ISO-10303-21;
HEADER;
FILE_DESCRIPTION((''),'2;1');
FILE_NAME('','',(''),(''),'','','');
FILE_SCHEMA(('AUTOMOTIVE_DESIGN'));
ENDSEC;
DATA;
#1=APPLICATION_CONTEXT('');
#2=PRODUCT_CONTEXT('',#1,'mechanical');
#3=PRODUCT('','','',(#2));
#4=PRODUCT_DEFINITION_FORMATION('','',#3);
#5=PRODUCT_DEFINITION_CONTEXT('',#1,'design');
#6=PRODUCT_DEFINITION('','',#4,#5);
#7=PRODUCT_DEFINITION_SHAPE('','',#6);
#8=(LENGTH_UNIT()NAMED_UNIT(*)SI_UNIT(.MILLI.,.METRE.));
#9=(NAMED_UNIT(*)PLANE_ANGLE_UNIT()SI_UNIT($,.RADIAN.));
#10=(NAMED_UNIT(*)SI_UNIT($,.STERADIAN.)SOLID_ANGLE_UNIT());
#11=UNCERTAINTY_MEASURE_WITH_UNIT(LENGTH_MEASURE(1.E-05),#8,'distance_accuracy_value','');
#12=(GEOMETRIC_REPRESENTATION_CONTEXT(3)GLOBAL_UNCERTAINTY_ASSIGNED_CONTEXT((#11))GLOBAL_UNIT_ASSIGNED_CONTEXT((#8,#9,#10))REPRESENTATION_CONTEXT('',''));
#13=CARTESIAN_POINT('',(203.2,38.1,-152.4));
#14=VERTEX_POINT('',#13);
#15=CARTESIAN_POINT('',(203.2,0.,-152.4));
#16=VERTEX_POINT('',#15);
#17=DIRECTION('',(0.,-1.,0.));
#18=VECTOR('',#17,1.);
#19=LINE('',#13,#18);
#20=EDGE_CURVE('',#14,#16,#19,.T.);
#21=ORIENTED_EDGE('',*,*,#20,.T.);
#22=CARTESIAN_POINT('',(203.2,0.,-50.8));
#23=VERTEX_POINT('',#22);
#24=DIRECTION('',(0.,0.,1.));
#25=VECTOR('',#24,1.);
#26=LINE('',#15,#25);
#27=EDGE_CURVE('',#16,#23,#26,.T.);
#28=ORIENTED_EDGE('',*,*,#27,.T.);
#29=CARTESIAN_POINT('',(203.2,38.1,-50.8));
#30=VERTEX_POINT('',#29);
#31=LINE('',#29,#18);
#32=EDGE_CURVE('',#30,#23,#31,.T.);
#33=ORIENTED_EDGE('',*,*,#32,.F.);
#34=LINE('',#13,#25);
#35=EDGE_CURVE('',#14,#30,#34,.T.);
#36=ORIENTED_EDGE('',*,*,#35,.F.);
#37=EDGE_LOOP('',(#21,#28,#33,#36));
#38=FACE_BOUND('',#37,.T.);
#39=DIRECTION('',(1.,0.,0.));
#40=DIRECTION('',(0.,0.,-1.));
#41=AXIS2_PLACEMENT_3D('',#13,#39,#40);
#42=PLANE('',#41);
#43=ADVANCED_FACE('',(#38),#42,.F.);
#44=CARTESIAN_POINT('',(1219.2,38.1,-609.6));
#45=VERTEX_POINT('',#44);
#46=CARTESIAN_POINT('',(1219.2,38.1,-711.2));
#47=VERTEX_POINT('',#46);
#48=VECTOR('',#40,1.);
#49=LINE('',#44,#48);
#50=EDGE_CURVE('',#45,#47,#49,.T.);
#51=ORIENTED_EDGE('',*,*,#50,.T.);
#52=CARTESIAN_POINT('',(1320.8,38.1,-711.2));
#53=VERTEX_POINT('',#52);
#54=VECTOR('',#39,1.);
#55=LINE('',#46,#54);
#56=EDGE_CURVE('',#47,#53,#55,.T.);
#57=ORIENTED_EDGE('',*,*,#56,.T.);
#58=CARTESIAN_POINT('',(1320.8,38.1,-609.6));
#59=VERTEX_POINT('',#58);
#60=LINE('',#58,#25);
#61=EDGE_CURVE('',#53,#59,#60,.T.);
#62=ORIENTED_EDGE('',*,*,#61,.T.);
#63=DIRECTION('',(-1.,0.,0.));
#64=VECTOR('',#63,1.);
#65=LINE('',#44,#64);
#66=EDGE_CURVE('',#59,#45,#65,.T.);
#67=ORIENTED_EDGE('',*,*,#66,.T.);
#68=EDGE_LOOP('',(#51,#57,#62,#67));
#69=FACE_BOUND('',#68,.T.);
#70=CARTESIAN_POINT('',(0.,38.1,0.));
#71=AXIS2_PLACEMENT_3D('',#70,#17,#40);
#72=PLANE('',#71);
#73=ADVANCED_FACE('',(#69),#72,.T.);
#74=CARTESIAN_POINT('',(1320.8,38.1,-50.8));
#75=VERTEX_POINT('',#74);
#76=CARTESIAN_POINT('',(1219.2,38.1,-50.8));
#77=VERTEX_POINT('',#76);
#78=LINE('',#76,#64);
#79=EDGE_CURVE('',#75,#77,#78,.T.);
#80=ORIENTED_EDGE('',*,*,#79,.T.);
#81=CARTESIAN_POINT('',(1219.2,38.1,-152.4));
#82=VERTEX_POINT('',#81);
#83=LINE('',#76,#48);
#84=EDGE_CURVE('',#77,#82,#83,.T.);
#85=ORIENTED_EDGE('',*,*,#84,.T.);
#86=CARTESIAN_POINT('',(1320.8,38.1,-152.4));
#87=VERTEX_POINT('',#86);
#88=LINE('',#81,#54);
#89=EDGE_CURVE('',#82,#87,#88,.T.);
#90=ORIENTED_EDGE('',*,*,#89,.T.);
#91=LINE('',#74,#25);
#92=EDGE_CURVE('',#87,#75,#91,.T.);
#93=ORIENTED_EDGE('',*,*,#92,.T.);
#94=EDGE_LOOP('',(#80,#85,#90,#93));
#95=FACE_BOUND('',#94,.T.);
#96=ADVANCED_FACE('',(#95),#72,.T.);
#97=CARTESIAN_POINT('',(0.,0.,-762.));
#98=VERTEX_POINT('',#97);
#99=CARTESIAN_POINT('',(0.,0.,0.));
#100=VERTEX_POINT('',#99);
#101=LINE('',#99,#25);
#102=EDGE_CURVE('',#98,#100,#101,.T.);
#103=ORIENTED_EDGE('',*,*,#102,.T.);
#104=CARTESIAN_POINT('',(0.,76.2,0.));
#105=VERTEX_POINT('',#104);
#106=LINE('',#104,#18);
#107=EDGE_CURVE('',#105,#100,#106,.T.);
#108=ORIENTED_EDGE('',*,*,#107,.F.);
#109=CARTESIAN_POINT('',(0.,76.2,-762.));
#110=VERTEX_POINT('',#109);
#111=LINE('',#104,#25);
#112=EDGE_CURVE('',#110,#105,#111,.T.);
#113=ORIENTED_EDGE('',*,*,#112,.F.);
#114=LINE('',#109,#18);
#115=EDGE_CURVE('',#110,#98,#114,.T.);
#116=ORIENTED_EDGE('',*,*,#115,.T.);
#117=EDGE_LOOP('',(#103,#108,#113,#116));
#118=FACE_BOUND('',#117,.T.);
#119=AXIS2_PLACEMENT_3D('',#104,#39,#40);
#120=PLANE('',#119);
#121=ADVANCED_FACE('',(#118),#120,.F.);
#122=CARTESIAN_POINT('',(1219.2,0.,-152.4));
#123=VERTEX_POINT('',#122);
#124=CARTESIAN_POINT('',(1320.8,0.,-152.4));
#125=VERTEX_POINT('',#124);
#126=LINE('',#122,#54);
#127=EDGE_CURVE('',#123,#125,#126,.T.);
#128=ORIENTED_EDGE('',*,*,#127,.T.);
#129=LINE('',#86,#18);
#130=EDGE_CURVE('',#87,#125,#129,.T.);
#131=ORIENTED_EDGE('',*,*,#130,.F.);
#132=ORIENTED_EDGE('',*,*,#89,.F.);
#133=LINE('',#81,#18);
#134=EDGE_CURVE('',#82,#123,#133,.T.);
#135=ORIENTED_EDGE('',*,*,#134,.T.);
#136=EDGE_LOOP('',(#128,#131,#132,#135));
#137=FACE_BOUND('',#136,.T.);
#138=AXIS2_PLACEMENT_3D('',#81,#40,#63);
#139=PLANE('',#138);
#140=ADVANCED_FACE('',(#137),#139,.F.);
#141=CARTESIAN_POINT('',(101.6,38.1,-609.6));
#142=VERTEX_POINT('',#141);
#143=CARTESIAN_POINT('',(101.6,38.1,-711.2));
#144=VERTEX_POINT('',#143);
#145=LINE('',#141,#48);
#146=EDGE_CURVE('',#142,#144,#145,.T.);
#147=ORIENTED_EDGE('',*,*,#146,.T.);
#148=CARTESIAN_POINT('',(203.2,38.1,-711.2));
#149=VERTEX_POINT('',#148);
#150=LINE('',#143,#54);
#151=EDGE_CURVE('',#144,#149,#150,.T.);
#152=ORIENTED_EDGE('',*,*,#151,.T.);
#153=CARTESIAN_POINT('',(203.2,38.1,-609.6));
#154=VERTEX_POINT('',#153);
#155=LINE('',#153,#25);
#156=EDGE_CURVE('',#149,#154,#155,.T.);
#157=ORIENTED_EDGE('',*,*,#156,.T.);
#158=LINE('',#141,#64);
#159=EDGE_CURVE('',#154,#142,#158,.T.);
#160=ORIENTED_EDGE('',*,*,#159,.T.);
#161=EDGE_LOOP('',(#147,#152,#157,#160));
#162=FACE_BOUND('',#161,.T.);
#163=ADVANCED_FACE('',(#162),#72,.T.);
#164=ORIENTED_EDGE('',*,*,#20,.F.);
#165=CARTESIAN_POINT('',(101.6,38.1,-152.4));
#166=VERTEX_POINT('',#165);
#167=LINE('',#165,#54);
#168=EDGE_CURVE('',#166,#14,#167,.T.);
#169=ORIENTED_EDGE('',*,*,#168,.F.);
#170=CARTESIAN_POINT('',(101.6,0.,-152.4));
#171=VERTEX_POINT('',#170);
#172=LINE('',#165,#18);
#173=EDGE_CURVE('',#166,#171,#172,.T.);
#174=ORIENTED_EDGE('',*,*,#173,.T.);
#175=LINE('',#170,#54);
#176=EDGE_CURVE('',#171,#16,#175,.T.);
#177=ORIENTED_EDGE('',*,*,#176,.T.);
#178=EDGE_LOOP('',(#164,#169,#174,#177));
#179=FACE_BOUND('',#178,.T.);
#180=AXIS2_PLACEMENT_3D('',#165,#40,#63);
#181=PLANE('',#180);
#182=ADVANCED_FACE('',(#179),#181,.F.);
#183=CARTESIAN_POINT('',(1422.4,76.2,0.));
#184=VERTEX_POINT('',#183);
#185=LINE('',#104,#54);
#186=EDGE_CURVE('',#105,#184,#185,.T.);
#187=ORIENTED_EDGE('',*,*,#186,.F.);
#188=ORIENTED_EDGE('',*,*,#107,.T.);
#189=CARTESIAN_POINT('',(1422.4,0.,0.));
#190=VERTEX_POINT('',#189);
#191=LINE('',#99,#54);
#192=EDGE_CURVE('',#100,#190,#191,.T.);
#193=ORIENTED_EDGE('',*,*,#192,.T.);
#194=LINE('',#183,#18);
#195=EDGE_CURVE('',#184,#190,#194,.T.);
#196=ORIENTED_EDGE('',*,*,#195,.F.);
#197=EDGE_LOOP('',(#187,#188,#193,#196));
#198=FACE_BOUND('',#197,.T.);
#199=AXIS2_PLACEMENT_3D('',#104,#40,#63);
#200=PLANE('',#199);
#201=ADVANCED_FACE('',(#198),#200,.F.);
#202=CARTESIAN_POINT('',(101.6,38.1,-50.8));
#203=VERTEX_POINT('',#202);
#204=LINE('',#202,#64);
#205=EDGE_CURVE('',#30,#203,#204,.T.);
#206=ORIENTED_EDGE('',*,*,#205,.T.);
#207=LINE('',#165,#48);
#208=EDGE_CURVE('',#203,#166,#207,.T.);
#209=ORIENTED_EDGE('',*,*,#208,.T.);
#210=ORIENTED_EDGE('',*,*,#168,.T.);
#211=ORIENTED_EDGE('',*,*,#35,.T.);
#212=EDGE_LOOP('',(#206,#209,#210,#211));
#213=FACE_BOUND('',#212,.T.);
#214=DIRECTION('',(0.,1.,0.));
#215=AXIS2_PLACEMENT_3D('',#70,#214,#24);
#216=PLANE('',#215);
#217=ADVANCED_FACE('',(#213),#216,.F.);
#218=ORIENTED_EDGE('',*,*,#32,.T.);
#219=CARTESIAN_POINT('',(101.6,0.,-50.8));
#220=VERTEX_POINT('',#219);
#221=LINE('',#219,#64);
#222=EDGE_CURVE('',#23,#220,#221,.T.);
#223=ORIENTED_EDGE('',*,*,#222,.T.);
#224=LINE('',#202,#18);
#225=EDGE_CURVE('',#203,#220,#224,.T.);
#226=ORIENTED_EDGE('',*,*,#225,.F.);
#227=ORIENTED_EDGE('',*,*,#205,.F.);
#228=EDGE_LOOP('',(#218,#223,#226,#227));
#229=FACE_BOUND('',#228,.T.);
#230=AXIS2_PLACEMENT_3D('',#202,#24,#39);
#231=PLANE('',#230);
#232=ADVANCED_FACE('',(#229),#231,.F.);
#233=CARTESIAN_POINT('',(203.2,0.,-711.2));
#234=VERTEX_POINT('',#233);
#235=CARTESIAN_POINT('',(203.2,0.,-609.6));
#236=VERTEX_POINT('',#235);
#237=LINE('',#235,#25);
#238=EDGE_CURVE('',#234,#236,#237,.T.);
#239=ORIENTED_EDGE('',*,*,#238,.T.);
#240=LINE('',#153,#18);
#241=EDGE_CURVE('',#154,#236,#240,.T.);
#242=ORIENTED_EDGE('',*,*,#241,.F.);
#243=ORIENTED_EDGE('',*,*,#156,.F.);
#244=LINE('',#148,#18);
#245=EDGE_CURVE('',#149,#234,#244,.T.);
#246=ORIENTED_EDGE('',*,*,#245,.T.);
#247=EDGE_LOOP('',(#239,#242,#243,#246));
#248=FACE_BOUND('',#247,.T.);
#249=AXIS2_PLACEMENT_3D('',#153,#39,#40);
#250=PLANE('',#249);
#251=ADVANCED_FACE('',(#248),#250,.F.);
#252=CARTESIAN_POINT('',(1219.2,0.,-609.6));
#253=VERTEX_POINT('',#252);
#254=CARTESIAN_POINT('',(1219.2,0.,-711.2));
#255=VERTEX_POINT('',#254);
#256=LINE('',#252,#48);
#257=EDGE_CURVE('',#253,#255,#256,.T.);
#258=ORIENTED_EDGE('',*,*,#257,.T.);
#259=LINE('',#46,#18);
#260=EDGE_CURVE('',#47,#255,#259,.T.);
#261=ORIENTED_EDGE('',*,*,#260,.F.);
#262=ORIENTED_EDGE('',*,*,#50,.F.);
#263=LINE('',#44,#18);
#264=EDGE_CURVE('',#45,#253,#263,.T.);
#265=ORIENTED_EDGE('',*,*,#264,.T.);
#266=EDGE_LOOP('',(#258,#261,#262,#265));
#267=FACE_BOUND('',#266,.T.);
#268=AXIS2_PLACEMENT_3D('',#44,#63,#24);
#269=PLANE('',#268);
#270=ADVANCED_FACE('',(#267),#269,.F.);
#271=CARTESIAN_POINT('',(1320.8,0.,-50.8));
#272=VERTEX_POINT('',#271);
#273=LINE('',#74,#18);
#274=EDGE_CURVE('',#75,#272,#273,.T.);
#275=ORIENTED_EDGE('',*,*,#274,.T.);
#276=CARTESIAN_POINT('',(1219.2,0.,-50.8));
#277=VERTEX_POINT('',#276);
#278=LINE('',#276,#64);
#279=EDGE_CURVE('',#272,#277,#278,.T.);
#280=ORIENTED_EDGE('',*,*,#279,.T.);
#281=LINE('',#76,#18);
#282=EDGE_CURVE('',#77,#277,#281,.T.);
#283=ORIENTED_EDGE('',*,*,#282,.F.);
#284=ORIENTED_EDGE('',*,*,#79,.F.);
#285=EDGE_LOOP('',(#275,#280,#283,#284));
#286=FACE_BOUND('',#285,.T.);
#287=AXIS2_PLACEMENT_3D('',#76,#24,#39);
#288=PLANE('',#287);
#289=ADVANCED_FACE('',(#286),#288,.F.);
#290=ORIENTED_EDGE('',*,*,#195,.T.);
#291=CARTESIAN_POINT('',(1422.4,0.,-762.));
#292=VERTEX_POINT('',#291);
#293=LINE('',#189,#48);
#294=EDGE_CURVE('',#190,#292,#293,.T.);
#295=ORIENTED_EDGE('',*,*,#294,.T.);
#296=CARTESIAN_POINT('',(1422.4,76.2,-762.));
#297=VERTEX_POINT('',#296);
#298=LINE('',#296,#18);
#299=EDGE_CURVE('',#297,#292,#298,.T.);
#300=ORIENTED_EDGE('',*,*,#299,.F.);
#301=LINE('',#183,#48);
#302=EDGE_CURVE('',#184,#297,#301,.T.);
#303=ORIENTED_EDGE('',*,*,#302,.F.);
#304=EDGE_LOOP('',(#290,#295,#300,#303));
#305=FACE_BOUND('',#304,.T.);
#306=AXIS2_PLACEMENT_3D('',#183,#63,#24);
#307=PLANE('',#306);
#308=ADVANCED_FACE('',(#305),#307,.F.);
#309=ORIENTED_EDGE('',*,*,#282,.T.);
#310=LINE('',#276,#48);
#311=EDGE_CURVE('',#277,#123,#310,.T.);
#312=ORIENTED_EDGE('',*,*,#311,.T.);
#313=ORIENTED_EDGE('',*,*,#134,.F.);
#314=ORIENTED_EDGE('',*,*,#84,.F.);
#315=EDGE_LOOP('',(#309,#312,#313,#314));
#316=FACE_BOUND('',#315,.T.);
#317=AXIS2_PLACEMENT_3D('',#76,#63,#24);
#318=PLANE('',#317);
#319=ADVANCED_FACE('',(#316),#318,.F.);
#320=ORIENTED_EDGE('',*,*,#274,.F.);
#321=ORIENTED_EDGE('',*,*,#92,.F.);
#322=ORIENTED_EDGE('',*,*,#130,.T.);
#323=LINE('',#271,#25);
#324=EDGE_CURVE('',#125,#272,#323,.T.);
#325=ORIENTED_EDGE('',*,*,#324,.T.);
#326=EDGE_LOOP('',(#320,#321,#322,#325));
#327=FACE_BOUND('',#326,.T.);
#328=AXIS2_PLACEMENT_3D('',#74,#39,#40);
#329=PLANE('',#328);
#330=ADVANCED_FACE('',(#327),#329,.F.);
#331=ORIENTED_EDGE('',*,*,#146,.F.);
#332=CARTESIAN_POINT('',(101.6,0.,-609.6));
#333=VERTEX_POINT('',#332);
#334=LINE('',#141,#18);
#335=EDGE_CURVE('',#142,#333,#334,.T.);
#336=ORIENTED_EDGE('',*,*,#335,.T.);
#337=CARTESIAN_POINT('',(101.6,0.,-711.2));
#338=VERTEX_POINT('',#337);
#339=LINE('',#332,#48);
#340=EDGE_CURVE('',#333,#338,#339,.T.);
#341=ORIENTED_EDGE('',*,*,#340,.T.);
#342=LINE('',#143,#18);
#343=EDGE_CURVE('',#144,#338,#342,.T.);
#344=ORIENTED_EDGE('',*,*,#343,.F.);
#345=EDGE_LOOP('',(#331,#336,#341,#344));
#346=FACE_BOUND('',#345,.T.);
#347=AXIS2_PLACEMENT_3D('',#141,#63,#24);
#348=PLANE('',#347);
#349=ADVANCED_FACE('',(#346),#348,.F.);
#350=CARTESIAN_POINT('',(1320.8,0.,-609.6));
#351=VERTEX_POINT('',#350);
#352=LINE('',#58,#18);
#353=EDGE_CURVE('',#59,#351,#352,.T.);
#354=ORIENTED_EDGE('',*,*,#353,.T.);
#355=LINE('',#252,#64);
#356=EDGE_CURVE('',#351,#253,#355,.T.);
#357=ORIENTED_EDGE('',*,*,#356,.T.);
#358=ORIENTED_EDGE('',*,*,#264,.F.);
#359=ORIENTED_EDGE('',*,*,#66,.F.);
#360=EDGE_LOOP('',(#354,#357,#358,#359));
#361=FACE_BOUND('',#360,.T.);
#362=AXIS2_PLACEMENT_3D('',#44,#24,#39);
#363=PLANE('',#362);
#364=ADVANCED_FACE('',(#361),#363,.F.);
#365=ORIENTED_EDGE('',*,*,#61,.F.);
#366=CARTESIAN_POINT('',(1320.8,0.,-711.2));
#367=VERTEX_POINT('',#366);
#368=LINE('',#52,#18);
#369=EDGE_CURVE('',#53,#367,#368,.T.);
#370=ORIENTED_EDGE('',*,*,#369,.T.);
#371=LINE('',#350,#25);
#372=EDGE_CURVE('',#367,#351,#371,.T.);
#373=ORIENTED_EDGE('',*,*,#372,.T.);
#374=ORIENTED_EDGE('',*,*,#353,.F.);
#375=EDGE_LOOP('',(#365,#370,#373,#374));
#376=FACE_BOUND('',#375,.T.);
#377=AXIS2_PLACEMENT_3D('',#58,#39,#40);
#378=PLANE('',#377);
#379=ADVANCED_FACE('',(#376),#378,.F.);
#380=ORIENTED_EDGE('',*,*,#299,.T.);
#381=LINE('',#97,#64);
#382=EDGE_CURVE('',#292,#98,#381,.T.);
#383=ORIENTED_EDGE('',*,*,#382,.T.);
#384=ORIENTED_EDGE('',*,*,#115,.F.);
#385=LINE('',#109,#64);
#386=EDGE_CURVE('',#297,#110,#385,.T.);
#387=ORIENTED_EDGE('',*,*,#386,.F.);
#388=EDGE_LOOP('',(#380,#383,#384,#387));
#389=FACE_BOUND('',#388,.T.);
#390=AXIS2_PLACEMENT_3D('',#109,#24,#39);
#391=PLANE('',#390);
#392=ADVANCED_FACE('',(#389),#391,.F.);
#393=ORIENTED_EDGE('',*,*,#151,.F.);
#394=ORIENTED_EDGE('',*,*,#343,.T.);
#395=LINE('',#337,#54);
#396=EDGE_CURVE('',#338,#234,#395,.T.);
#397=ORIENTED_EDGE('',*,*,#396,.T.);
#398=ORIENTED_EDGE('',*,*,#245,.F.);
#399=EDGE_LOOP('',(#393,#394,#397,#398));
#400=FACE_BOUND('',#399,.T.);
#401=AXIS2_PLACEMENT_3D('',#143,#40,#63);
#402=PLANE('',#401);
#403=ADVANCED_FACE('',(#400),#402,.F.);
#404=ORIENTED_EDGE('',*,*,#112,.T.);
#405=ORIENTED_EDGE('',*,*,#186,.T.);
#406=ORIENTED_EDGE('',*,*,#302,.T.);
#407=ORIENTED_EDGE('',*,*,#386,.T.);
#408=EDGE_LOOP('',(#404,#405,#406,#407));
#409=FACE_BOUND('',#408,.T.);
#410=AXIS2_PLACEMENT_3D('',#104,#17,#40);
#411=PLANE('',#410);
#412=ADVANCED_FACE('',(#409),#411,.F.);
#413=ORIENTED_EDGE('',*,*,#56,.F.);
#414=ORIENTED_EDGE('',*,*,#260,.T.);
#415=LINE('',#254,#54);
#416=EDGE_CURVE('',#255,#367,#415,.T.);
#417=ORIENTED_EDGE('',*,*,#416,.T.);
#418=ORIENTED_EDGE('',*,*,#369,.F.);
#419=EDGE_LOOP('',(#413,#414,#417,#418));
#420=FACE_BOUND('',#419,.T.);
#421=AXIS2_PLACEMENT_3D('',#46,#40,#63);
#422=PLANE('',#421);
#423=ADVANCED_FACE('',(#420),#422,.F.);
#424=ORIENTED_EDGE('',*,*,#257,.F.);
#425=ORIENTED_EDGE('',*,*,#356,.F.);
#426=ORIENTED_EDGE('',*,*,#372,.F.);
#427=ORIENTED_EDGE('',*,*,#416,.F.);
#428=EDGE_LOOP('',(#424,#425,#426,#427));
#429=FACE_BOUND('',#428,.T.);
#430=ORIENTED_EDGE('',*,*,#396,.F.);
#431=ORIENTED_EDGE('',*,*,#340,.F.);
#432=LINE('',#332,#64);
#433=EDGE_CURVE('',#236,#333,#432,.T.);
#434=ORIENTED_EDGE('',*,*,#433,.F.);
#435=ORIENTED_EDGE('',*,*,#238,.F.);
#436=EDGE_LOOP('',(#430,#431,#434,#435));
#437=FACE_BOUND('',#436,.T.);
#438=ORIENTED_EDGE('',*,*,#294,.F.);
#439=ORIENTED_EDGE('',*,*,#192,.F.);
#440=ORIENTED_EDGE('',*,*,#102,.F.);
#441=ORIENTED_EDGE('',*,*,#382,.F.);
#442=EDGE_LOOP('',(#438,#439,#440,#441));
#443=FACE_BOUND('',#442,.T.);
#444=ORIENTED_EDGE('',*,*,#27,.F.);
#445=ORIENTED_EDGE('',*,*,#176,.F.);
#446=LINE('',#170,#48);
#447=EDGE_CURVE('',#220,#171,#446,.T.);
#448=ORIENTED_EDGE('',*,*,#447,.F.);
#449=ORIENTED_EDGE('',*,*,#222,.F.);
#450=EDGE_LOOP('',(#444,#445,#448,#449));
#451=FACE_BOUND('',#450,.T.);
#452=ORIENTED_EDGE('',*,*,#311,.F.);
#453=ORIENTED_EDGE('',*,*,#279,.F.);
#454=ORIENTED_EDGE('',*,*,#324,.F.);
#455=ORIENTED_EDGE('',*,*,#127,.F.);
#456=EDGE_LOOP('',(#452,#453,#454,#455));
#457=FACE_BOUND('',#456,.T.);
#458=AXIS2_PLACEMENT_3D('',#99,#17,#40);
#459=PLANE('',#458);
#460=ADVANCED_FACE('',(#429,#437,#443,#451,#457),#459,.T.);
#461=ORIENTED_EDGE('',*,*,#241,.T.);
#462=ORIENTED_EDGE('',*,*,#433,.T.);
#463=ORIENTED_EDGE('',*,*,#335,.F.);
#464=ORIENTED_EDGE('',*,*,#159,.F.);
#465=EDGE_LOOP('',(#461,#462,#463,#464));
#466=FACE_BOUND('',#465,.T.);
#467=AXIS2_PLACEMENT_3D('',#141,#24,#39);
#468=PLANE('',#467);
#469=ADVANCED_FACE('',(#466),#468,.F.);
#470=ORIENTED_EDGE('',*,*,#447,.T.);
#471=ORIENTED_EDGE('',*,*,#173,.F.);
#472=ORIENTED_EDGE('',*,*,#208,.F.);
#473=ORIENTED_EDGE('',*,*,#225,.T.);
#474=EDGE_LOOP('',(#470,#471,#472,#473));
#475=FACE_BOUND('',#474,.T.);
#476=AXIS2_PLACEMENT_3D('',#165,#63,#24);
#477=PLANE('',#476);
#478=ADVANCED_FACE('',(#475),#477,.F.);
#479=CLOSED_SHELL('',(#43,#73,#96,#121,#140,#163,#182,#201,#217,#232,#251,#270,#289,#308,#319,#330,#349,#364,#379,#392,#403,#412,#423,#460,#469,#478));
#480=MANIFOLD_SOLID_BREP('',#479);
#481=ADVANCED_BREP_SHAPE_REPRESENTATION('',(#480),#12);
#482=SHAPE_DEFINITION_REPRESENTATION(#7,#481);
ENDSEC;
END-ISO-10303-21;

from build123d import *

# Parameters (mm, degrees)
SKETCH1_W           = 1422.4
SKETCH1_H           = 762
BOSS_EXTRUDE1_DEPTH = 76.2
SKETCH3_W           = 101.6
SKETCH3_H           = 101.6
CUT_EXTRUDE1_DEPTH  = 38.1


with BuildPart() as part:
    # Sketch1 → Boss-Extrude1 (new body)
    with BuildSketch(Plane(origin=(0, 0, 0), x_dir=(1, 0, 0), z_dir=(0, 1, 0))):
        with Locations((711.2, 381)):
            Rectangle(SKETCH1_W, SKETCH1_H)
    extrude(amount=BOSS_EXTRUDE1_DEPTH)

    # Sketch3 → Cut-Extrude1 (cut)
    with BuildSketch(Plane.XZ):
        with Locations((152.4, -101.6)):
            Rectangle(SKETCH3_W, SKETCH3_H)
        with Locations((152.4, -660.4)):
            Rectangle(SKETCH3_W, SKETCH3_H)
        with Locations((1270, -101.6)):
            Rectangle(SKETCH3_W, SKETCH3_H)
        with Locations((1270, -660.4)):
            Rectangle(SKETCH3_W, SKETCH3_H)
    extrude(amount=-CUT_EXTRUDE1_DEPTH, mode=Mode.SUBTRACT)


solid = part.part
